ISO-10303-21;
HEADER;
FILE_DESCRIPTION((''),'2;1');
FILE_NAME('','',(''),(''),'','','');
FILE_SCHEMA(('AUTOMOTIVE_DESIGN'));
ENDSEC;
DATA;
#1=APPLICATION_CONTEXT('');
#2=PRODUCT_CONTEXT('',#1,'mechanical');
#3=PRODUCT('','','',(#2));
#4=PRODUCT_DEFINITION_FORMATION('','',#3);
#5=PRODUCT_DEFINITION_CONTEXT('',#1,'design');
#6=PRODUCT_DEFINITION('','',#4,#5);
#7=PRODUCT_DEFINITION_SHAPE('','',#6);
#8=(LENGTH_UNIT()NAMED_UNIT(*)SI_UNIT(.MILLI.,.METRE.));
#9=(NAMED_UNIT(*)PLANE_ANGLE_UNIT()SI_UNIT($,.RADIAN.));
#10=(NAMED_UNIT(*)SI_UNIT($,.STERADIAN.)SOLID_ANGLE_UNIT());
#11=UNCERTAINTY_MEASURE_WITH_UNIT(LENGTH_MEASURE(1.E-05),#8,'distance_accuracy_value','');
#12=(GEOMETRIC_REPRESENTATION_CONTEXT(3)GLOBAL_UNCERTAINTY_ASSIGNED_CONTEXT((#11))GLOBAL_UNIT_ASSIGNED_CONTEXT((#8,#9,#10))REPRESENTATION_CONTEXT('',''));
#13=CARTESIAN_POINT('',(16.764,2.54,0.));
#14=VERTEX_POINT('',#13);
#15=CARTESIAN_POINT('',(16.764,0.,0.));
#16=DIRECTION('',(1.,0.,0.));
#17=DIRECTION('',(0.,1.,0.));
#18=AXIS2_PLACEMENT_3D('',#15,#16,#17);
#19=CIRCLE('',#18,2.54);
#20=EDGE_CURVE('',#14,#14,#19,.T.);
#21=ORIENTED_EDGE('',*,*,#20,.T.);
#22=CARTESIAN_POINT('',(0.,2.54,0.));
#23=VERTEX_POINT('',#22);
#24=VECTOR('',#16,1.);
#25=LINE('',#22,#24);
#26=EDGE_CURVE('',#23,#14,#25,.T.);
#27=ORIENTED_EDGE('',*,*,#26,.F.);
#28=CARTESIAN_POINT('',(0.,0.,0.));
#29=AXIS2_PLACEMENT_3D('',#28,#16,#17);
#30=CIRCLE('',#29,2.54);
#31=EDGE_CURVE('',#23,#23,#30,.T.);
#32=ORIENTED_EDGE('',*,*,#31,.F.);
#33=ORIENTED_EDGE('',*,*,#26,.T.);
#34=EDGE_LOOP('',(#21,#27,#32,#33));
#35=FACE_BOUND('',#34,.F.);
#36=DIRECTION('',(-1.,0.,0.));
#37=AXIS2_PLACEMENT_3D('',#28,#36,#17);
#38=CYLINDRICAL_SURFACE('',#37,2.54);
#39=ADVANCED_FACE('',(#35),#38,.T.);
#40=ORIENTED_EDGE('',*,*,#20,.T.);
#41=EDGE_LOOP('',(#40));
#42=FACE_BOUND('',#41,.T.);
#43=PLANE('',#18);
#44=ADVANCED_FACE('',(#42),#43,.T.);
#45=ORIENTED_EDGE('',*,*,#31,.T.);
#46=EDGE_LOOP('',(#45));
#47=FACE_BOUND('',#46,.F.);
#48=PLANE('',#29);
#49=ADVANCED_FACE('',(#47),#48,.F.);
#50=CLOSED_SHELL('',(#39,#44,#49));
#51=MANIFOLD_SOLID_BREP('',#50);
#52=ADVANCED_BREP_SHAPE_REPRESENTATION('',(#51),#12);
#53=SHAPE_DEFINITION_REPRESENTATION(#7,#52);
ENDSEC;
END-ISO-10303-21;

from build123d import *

# Parameters (mm, degrees)
F0_R     = 12.7
F1_DEPTH = 83.82
F2_SCALE = 0.2


with BuildPart() as f1:
    # F0 (on Right) → F1 (new body)
    with BuildSketch(Plane.YZ):
        Circle(F0_R)
    extrude(amount=F1_DEPTH)


with BuildPart() as f1_1:
    # F2: moved
    add(f1.part.scale(F2_SCALE))


solid = f1_1.part
